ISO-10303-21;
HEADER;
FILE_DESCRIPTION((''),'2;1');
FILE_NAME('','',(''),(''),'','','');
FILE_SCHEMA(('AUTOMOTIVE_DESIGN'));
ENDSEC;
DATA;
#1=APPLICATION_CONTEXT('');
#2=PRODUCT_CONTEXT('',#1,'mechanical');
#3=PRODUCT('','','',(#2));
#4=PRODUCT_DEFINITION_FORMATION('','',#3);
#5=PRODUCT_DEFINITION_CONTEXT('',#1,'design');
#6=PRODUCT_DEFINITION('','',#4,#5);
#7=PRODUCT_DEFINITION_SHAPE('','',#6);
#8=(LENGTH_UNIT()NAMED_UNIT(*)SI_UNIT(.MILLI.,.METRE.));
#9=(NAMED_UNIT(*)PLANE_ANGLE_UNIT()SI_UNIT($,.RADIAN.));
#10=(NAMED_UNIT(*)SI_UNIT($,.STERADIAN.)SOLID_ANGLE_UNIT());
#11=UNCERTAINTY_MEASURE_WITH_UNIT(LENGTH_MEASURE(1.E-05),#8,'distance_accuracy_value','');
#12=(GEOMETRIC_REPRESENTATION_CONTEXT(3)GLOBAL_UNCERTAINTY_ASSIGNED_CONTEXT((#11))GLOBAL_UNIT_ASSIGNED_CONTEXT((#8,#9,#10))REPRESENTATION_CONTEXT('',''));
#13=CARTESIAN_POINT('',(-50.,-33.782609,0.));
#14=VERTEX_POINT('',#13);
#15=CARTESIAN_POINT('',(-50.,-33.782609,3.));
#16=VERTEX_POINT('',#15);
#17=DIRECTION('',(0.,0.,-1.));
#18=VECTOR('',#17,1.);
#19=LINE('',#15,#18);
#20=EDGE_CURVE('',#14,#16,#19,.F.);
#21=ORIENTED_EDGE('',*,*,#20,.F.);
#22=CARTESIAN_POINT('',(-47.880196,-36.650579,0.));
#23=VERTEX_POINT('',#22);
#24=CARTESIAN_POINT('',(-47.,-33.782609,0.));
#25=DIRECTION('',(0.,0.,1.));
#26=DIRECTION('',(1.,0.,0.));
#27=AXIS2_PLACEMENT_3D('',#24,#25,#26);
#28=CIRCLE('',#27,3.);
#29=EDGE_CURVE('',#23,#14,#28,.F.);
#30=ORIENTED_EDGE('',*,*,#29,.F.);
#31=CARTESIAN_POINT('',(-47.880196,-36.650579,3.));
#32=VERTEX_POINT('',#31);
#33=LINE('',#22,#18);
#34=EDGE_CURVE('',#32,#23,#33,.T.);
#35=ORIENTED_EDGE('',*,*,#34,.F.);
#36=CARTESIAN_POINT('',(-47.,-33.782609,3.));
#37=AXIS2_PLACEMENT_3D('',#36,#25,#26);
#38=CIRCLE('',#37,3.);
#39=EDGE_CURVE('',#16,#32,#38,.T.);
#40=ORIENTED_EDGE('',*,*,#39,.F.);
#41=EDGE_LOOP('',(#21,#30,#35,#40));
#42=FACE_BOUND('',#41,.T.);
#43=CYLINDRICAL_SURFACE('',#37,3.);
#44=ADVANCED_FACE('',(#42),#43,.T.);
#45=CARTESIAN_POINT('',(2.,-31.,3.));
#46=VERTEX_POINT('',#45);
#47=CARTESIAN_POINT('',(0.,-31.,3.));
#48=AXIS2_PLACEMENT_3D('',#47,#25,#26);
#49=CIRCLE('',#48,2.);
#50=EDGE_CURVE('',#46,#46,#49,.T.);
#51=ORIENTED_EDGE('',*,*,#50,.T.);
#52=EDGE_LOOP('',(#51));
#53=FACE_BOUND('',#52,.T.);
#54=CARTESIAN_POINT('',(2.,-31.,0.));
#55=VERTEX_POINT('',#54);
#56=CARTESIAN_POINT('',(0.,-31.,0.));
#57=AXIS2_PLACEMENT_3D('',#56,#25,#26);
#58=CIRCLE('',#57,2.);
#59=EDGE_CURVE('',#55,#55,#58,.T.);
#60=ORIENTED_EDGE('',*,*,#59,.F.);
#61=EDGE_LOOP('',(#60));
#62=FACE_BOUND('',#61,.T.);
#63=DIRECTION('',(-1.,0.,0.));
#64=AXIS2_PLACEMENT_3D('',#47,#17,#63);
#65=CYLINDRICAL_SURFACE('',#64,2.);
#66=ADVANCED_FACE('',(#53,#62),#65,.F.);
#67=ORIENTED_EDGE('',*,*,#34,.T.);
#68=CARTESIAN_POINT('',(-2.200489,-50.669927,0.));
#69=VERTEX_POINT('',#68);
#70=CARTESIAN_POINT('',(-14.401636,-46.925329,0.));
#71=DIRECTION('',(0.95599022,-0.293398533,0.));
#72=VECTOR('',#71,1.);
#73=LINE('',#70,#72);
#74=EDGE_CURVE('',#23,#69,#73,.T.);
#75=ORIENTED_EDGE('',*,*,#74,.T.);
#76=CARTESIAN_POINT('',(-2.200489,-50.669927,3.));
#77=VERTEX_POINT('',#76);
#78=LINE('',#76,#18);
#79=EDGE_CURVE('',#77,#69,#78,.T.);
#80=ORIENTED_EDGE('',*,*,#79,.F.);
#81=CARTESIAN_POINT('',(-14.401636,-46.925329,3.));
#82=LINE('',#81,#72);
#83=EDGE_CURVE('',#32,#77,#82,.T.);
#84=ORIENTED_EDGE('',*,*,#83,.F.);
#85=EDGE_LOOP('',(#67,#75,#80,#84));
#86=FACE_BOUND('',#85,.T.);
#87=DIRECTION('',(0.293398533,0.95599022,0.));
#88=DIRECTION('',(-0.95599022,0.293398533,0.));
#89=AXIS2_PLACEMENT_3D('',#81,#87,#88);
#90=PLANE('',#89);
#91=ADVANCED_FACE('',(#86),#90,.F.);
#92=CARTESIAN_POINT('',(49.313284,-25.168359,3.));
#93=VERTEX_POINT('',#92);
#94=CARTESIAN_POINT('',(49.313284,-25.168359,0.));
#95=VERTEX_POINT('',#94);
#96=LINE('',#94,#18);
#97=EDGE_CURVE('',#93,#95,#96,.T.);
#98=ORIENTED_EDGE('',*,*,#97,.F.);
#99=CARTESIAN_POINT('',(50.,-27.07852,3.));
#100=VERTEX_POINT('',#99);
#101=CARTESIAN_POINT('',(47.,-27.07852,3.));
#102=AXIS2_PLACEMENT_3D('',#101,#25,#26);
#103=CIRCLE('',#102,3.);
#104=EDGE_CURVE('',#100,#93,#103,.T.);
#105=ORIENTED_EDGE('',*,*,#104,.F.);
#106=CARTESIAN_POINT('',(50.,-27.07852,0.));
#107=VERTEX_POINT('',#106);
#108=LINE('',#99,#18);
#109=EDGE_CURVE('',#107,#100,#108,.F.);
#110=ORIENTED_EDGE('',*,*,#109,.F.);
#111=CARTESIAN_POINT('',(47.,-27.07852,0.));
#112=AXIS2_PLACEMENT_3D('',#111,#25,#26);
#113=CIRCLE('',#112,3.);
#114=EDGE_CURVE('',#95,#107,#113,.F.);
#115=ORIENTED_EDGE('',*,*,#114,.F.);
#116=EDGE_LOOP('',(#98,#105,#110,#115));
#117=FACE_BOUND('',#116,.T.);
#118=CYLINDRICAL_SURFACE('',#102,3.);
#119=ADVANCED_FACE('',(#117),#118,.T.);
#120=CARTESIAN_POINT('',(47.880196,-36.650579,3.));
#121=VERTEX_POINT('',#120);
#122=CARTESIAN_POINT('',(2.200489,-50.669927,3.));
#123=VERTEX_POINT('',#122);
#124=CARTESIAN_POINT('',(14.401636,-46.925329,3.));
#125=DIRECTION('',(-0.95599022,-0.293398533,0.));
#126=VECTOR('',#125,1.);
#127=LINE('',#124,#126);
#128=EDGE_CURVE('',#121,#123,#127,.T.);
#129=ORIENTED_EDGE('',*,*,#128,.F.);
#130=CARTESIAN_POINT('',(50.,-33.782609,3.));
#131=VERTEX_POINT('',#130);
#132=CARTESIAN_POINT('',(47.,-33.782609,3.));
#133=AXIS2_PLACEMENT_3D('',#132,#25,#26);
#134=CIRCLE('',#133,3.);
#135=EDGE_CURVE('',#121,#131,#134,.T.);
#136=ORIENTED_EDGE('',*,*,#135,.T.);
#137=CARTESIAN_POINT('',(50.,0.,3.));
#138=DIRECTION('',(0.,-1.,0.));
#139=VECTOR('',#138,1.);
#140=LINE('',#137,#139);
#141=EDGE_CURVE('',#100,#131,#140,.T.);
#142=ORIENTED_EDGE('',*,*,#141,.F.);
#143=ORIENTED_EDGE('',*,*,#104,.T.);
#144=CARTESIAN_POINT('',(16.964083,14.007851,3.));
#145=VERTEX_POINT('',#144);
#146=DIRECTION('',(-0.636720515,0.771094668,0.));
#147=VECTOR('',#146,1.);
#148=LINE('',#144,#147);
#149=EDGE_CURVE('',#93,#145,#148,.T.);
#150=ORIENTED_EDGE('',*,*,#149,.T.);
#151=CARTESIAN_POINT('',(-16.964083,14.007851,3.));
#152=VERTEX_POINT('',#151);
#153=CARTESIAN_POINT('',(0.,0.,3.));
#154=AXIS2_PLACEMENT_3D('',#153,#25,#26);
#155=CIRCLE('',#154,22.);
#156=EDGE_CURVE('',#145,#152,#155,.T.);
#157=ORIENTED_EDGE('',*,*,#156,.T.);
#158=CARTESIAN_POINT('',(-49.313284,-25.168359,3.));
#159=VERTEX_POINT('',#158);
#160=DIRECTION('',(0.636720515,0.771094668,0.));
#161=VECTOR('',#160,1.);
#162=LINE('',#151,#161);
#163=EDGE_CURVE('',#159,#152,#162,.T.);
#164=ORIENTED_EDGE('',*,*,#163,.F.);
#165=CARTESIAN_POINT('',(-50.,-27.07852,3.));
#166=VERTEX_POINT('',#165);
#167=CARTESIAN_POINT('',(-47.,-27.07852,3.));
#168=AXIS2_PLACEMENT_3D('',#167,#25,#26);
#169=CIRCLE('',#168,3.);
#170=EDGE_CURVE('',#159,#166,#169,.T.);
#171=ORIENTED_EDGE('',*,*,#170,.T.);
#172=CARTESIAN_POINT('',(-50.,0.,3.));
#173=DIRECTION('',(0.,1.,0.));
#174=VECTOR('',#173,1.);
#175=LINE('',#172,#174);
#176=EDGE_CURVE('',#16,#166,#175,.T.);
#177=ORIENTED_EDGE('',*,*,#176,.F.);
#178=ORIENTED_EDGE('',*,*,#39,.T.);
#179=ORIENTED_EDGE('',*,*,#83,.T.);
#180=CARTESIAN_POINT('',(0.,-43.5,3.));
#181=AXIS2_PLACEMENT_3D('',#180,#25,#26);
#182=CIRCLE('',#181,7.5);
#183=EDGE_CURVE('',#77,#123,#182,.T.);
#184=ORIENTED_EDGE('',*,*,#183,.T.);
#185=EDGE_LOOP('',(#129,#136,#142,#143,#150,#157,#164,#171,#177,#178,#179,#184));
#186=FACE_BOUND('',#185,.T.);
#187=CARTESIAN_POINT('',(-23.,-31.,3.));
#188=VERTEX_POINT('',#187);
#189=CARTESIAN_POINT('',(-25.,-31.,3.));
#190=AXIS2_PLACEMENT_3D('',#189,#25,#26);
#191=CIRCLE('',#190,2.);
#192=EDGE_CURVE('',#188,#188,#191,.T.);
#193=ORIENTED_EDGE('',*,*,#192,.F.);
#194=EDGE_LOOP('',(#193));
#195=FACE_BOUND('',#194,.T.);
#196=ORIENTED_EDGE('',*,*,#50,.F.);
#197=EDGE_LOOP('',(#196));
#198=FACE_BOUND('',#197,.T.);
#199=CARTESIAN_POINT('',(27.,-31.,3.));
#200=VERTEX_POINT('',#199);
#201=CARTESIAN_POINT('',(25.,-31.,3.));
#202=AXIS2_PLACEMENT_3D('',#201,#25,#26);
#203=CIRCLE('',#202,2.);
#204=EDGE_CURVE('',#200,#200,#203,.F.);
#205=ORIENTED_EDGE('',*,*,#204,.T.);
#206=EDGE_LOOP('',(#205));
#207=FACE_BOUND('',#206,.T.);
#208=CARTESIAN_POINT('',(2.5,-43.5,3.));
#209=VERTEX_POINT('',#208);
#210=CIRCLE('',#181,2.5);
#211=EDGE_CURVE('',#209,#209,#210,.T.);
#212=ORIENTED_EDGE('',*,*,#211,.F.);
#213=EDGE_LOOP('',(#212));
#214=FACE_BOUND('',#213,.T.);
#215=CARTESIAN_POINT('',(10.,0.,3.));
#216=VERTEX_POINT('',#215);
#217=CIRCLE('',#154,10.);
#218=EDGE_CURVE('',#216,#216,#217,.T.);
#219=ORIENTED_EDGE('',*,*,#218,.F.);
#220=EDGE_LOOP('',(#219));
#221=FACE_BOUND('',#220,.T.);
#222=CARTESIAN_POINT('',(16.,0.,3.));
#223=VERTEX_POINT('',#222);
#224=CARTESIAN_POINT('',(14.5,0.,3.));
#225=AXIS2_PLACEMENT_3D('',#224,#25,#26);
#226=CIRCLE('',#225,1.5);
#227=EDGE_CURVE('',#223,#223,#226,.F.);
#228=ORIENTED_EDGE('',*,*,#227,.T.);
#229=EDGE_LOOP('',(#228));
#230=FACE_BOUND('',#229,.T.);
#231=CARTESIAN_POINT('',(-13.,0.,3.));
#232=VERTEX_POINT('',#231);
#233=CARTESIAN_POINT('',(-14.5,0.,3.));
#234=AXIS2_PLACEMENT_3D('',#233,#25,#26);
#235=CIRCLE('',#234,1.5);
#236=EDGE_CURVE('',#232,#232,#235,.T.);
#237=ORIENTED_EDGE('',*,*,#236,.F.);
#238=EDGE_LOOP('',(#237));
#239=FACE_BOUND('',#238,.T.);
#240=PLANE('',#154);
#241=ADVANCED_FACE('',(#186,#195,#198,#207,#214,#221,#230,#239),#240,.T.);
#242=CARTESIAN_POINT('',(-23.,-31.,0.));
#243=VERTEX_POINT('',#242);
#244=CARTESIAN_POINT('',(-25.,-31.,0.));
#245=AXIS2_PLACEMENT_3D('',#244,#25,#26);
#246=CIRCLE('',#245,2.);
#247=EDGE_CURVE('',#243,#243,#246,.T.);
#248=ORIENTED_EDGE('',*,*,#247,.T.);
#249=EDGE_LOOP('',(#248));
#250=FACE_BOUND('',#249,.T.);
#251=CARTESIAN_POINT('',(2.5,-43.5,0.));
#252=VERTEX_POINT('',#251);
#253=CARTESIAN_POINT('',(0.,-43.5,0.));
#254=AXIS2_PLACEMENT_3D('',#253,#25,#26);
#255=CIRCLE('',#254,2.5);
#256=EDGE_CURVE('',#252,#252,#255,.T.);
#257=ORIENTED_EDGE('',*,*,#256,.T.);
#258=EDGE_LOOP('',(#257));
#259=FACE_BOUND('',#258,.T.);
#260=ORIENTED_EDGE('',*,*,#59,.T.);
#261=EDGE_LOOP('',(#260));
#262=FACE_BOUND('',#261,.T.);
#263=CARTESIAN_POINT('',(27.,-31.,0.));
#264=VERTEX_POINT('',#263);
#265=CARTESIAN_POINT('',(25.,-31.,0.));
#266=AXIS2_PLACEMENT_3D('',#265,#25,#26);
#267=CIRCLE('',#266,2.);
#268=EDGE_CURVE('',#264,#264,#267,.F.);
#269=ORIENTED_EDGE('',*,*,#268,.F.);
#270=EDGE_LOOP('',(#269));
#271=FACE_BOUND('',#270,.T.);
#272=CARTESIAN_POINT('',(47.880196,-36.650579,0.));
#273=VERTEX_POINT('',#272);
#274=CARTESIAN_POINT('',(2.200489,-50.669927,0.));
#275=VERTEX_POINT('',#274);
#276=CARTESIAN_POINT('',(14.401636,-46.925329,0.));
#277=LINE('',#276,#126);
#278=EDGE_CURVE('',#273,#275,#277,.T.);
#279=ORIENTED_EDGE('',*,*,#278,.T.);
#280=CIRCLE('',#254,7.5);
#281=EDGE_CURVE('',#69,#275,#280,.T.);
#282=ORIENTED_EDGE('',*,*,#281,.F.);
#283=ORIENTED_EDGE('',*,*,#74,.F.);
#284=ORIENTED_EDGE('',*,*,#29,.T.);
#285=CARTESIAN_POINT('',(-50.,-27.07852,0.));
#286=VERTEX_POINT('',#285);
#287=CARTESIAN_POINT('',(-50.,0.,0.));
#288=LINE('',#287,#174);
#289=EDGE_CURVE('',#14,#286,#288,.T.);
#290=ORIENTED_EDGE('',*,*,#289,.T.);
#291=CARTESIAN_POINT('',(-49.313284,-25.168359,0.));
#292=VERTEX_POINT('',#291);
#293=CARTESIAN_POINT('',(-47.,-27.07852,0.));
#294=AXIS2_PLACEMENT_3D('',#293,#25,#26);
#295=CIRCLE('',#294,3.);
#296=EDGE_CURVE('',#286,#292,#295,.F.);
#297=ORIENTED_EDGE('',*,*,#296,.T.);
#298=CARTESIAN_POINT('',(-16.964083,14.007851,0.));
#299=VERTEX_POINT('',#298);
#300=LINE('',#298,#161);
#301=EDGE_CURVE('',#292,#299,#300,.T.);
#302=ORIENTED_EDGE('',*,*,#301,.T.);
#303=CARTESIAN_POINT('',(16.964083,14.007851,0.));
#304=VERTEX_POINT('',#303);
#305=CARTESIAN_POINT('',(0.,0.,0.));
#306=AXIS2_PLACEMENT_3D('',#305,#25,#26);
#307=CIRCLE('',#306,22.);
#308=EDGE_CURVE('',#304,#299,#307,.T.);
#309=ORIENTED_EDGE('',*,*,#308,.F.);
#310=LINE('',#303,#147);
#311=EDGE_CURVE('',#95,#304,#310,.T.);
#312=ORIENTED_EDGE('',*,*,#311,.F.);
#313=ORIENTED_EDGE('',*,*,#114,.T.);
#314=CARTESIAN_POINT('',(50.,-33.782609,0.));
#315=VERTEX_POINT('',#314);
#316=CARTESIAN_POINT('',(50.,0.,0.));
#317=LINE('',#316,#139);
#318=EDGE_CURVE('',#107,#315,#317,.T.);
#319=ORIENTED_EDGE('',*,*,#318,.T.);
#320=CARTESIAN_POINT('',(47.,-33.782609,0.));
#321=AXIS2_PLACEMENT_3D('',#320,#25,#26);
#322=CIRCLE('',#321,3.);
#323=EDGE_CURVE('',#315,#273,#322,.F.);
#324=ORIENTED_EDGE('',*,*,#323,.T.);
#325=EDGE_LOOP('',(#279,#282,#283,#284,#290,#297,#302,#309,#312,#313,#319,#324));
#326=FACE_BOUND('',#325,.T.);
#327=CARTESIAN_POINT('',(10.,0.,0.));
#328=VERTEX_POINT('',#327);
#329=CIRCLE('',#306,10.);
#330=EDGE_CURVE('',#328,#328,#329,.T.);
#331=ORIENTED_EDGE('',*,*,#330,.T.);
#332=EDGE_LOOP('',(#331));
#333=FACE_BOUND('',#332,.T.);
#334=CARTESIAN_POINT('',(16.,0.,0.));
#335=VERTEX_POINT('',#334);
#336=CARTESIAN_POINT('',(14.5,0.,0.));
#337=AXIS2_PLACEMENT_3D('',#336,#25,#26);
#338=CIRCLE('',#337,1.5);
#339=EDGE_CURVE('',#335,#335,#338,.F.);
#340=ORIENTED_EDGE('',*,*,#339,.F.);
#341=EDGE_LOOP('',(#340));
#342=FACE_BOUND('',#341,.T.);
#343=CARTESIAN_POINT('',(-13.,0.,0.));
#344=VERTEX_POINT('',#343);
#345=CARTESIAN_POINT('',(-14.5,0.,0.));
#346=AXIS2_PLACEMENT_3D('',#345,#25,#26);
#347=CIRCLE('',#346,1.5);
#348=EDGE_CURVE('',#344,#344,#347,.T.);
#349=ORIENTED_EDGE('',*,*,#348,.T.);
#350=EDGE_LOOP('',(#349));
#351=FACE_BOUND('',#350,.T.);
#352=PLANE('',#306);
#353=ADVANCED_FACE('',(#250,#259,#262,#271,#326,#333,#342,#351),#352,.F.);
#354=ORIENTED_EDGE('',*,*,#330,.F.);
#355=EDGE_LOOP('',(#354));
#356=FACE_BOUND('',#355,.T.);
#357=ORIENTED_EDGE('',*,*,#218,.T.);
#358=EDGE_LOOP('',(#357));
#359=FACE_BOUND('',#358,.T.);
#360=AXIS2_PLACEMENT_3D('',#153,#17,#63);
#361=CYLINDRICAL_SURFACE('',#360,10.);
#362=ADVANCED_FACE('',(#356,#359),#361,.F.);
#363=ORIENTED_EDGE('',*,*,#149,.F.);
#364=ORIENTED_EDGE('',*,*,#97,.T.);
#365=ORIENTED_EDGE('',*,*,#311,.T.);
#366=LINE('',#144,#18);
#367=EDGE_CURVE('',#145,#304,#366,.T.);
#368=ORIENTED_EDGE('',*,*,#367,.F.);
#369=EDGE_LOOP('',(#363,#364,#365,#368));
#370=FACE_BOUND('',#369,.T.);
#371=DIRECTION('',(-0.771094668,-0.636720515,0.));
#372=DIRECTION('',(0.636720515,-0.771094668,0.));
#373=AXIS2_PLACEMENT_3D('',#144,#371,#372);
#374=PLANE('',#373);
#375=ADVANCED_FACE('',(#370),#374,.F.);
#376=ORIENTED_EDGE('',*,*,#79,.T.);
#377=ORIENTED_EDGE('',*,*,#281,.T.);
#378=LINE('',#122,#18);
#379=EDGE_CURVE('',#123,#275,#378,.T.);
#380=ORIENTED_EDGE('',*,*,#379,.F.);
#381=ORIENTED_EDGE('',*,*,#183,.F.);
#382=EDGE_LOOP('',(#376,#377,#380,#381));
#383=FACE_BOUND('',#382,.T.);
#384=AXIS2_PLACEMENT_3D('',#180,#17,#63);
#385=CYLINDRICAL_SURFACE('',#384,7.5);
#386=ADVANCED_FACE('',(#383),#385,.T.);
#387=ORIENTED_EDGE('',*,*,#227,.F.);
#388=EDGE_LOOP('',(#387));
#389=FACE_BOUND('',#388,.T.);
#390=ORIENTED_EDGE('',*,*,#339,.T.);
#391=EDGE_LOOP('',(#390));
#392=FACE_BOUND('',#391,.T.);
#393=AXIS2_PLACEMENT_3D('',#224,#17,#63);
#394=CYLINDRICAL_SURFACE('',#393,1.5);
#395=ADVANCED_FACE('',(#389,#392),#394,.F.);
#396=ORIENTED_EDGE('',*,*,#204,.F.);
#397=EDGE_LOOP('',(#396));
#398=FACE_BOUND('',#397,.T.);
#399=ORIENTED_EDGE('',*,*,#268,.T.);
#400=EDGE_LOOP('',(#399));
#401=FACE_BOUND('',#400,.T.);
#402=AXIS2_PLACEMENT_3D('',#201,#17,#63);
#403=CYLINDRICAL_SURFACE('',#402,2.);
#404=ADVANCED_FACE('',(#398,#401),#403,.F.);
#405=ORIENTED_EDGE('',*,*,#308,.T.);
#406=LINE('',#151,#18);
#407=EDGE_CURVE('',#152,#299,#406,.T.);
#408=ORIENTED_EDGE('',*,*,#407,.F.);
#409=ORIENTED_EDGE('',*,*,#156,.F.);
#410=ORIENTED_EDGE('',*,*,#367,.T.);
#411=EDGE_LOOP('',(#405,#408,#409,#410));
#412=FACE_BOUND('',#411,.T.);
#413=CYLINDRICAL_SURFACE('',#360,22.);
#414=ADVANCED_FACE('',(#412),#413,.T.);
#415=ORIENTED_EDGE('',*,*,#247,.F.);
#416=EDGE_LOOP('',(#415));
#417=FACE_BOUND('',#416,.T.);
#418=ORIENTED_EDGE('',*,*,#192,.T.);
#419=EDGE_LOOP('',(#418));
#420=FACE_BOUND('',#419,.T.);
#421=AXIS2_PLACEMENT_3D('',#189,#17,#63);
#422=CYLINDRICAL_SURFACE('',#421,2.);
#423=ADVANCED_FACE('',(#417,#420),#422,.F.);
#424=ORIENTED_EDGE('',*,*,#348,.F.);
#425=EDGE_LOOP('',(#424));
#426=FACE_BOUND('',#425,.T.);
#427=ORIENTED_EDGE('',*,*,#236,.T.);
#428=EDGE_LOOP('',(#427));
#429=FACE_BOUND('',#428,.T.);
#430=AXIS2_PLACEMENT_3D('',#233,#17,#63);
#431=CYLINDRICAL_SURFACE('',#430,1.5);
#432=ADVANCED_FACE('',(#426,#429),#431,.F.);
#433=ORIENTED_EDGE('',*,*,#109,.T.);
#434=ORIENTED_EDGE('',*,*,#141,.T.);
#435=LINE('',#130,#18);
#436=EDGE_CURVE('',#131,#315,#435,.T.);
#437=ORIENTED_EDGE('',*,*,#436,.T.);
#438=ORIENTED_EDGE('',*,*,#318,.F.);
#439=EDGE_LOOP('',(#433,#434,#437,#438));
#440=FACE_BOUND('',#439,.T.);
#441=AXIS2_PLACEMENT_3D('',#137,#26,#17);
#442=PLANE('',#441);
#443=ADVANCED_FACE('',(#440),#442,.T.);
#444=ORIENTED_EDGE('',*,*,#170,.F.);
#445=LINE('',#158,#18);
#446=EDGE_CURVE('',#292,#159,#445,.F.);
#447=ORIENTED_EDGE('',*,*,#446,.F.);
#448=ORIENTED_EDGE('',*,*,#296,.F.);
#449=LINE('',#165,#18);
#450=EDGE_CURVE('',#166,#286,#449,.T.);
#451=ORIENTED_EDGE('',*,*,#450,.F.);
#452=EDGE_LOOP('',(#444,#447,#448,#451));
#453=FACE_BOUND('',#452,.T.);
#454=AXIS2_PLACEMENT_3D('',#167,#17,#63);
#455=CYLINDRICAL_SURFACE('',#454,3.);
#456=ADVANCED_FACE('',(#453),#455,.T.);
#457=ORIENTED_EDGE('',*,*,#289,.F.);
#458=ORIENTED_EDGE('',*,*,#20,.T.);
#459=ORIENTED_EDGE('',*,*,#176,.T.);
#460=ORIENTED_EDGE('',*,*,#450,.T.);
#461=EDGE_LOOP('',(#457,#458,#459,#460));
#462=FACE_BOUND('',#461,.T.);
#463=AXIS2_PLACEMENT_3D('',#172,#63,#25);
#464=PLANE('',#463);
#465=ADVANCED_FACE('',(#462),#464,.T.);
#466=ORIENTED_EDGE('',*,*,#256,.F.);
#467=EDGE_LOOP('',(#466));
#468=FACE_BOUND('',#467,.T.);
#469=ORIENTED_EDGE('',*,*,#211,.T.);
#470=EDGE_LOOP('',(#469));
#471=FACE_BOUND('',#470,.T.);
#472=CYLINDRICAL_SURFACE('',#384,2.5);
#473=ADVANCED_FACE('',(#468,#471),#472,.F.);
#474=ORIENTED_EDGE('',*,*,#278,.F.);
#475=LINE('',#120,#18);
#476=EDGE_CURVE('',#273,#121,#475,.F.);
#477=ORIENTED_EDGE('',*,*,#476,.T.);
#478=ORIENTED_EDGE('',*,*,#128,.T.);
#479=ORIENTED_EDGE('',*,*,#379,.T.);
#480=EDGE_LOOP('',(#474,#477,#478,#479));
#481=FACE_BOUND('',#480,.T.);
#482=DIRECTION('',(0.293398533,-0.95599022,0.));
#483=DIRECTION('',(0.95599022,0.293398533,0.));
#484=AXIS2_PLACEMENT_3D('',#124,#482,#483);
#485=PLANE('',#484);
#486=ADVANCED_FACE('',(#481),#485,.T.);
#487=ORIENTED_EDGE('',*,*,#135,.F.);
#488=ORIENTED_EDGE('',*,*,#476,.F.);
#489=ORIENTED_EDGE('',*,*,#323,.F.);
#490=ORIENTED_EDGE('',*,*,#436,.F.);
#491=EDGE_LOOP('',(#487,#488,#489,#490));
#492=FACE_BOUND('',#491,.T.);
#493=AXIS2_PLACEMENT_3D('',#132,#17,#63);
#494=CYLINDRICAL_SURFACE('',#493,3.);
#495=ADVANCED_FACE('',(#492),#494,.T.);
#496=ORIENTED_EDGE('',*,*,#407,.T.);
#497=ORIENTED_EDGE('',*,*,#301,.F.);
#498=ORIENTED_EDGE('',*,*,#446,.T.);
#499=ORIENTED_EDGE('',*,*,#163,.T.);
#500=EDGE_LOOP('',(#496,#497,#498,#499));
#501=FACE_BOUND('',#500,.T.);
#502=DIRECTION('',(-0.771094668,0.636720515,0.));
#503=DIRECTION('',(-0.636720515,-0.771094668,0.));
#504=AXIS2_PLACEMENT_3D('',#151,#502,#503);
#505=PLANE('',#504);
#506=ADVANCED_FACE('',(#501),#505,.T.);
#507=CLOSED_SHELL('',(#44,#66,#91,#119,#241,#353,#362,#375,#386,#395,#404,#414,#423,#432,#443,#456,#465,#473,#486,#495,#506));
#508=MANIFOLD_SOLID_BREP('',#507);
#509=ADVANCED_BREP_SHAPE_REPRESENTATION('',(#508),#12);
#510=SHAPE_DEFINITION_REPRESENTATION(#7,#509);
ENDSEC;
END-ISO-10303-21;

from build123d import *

# Parameters (mm, degrees)
SKETCH1_R           = 2
SKETCH1_R_2         = 2.5
SKETCH1_R_3         = 1.5
SKETCH1_R_4         = 10
BOSS_EXTRUDE1_DEPTH = 3
FILLET1_R           = 3


with BuildPart() as part:
    # Sketch1 → Boss-Extrude1 (new body)
    with BuildSketch(Plane.XY):
        with BuildLine():
            Line((-50, -26), (-50, -36))
            Line((-50, -36), (-2.200488998, -50.66992665))
            ThreePointArc((-2.200488998, -50.66992665), (0, -51), (2.200488998, -50.66992665))
            Line((2.200488998, -50.66992665), (50, -36))
            Line((50, -36), (50, -26))
            Line((50, -26), (16.964082686, 14.00785132))
            ThreePointArc((16.964082686, 14.00785132), (0, 22), (-16.964082686, 14.00785132))
            Line((-16.964082686, 14.00785132), (-50, -26))
        make_face()
        with Locations((-25, -31)):
            Circle(SKETCH1_R, mode=Mode.SUBTRACT)
        with Locations((0, -31)):
            Circle(SKETCH1_R, mode=Mode.SUBTRACT)
        with Locations((25, -31)):
            Circle(SKETCH1_R, mode=Mode.SUBTRACT)
        with Locations((0, -43.5)):
            Circle(SKETCH1_R_2, mode=Mode.SUBTRACT)
        with Locations((14.5, 0)):
            Circle(SKETCH1_R_3, mode=Mode.SUBTRACT)
        Circle(SKETCH1_R_4, mode=Mode.SUBTRACT)
        with Locations((-14.5, 0)):
            Circle(SKETCH1_R_3, mode=Mode.SUBTRACT)
    extrude(amount=BOSS_EXTRUDE1_DEPTH)

    # Fillet1
    fillet1_edges = [part.edges().sort_by_distance(p)[0] for p in [
        (-50, -36, 1.5),
        (-50, -26, 1.5),
        (50, -26, 1.5),
        (50, -36, 1.5),
    ]]
    fillet(fillet1_edges, radius=FILLET1_R)


solid = part.part
